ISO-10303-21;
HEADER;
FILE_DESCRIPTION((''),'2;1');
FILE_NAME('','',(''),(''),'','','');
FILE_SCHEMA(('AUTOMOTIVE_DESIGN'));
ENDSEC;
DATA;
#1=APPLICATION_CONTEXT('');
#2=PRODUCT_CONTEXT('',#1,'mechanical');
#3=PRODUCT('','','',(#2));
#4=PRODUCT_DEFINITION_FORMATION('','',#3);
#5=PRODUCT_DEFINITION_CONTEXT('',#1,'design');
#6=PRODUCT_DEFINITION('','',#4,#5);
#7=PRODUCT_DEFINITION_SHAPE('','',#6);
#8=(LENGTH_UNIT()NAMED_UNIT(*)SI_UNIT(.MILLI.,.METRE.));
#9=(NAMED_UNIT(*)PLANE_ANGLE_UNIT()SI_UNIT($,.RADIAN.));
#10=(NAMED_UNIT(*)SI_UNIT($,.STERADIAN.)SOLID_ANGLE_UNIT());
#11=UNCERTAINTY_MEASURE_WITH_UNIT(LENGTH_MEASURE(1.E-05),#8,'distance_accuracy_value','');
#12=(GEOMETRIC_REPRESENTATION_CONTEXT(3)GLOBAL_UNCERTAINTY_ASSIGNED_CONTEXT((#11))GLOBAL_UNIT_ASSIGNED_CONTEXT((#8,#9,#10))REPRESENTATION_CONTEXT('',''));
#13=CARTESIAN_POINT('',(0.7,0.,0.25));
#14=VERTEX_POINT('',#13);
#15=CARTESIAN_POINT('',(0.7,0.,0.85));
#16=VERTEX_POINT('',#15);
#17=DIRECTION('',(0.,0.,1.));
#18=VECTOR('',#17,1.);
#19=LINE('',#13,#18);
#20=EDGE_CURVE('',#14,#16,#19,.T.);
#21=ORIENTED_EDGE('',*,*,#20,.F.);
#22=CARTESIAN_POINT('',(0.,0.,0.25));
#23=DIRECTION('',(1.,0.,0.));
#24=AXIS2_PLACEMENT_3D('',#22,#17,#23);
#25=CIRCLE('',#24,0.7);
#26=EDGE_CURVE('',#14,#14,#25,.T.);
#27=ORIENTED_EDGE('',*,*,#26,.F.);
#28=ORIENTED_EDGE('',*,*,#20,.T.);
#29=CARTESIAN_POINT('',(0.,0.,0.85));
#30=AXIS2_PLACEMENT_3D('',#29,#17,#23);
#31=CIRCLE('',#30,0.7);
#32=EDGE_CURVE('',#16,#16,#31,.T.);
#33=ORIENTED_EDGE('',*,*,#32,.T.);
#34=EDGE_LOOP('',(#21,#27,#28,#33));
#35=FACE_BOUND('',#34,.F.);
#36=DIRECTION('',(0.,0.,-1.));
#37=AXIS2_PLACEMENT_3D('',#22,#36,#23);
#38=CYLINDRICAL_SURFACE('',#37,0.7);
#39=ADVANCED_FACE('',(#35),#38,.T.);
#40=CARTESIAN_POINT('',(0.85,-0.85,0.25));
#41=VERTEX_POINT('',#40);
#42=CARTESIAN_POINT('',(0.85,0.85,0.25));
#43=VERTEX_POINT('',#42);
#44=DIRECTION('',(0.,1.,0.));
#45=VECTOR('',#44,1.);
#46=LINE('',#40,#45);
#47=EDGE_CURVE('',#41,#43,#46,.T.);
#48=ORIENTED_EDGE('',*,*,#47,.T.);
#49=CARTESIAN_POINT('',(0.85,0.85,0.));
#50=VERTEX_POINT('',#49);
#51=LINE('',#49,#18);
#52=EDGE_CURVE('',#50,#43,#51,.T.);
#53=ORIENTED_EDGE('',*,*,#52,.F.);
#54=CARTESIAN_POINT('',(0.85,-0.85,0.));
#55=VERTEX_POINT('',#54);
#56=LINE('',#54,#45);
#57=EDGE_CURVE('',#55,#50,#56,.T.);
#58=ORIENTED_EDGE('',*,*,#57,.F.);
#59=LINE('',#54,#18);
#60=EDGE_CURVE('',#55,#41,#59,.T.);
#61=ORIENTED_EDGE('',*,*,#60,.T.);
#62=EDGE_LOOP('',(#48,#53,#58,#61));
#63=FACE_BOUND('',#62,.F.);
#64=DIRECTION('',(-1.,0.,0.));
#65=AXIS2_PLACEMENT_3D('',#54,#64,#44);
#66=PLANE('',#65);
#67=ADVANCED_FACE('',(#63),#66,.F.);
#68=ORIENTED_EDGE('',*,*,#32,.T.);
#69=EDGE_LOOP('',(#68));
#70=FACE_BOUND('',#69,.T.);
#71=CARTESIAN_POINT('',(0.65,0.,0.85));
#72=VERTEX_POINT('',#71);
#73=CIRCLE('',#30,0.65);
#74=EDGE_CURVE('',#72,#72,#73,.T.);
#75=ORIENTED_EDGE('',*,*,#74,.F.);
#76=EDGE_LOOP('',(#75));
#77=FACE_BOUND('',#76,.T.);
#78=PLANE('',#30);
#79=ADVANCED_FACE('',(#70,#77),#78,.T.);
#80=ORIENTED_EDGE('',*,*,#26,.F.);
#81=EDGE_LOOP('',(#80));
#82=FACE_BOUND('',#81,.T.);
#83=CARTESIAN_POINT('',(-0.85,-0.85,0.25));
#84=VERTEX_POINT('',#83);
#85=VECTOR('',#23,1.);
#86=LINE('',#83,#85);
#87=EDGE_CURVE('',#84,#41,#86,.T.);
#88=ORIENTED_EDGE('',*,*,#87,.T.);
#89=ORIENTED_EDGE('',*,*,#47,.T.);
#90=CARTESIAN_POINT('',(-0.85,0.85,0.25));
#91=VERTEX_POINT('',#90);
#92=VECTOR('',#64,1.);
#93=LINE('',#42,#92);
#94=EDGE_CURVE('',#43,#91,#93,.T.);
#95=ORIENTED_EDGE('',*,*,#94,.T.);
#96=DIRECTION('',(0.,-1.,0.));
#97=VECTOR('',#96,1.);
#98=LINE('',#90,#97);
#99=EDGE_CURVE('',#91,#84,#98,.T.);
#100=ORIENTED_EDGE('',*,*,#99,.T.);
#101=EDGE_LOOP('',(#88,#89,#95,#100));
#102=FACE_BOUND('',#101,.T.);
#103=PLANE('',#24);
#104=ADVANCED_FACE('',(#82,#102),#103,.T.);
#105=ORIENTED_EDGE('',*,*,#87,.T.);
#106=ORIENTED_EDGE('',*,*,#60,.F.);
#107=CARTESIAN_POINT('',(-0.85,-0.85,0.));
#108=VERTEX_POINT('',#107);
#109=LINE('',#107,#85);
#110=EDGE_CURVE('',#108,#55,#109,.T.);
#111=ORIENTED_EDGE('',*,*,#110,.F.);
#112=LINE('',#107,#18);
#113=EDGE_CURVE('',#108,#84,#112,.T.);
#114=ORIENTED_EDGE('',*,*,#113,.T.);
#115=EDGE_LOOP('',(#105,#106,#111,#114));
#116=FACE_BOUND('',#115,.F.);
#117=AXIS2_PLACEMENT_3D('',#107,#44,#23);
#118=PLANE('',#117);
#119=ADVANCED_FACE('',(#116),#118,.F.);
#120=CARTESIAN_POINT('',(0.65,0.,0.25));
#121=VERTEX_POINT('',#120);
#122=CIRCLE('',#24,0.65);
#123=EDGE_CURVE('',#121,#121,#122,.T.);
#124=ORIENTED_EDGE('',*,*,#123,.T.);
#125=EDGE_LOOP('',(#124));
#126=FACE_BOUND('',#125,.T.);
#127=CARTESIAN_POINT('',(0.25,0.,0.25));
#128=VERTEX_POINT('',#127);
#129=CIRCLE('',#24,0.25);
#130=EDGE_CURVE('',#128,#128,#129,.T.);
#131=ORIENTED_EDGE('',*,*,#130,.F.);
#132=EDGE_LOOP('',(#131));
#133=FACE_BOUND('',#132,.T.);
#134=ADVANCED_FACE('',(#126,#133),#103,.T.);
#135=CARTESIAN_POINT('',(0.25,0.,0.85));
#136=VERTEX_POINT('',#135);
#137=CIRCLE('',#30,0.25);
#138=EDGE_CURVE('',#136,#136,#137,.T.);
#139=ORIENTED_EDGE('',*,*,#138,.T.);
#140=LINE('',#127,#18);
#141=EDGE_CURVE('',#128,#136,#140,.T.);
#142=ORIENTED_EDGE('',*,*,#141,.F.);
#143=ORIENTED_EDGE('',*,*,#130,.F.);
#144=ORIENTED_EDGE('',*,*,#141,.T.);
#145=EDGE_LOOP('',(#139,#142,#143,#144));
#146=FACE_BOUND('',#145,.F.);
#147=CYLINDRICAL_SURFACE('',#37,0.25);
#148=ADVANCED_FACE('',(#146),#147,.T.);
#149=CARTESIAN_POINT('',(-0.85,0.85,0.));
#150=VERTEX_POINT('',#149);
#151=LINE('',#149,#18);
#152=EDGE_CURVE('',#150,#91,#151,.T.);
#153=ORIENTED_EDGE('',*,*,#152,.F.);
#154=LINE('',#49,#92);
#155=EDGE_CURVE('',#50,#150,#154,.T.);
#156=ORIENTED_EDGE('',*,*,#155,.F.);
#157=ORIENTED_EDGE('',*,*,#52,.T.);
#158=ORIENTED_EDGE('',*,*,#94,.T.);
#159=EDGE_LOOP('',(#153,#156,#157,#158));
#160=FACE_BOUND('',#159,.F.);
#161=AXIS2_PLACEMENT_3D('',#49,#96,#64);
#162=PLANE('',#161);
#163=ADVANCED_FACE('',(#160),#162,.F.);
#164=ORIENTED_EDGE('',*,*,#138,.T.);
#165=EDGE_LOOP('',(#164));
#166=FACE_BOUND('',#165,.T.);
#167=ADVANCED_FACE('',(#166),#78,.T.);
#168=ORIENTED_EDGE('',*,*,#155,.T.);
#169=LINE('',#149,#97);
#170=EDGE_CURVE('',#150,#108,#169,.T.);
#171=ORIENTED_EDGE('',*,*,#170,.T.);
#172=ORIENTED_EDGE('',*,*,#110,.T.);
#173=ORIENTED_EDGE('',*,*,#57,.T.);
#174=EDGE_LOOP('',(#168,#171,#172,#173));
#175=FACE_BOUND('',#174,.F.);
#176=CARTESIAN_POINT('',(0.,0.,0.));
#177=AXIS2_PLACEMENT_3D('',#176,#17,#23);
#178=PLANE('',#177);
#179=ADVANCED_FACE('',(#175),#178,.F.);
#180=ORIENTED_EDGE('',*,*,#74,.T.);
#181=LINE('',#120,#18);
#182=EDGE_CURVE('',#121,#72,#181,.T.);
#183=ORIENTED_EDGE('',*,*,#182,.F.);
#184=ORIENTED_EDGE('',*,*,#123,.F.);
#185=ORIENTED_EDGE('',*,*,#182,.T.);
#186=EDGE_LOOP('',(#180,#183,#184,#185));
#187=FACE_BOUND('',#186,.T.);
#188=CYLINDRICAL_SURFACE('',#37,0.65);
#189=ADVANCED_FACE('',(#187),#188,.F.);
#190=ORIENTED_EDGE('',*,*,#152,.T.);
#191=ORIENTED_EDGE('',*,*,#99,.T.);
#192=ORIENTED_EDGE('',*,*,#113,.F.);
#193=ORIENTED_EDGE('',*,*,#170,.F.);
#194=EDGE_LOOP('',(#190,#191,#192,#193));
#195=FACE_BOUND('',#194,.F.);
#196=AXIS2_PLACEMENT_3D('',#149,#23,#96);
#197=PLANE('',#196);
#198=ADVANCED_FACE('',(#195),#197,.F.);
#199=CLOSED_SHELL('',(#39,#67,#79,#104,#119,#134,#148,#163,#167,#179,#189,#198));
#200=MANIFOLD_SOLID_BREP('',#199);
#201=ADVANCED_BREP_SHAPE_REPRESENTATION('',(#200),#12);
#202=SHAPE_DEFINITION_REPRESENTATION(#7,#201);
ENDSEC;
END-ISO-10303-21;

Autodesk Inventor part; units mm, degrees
ref_plane "YZ Plane" through (0, 0, 0) normal (1, 0, 0) x (0, 1, 0)
ref_plane "XZ Plane" through (0, 0, 0) normal (0, 1, 0) x (-1, 0, 0)
ref_plane "XY Plane" through (0, 0, 0) normal (0, 0, 1) x (1, 0, 0)
sketch "MICRO-SMA, MICRO-SMA_13" plane through (0, 0, 0) normal (0, 0, 1) x (1, 0, 0)
  line L0 (-0.85, -0.85) -> (0.85, -0.85)
  line L1 (0.85, -0.85) -> (0.85, 0.85)
  line L2 (0.85, 0.85) -> (-0.85, 0.85)
  line L3 (-0.85, 0.85) -> (-0.85, -0.85)
  line L4 (-0.85, -0.85) -> (0.85, 0.85) construction
  line L5 (0.85, -0.85) -> (-0.85, 0.85) construction
  point P0 (0, 0)
  dimension "d4" = 1.7
  dimension "d5" = 1.7
extrude "Extrusion1" add sketch "MICRO-SMA, MICRO-SMA_13" along normal blind 0.25
sketch "Sketch2" plane through (0, 0, 0.25) normal (0, 0, 1) x (1, 0, 0)
  circle A0 centre (0, 0) radius 0.7
  circle A1 centre (0, 0) radius 0.65
  circle A2 centre (0, 0) radius 0.25
  dimension "d6" = 1.4
  dimension "d7" = 1.3
  dimension "d8" = 0.5
extrude "Extrusion2" add sketch "Sketch2" along normal blind 0.6
properties part number "MICRO-SMA"
